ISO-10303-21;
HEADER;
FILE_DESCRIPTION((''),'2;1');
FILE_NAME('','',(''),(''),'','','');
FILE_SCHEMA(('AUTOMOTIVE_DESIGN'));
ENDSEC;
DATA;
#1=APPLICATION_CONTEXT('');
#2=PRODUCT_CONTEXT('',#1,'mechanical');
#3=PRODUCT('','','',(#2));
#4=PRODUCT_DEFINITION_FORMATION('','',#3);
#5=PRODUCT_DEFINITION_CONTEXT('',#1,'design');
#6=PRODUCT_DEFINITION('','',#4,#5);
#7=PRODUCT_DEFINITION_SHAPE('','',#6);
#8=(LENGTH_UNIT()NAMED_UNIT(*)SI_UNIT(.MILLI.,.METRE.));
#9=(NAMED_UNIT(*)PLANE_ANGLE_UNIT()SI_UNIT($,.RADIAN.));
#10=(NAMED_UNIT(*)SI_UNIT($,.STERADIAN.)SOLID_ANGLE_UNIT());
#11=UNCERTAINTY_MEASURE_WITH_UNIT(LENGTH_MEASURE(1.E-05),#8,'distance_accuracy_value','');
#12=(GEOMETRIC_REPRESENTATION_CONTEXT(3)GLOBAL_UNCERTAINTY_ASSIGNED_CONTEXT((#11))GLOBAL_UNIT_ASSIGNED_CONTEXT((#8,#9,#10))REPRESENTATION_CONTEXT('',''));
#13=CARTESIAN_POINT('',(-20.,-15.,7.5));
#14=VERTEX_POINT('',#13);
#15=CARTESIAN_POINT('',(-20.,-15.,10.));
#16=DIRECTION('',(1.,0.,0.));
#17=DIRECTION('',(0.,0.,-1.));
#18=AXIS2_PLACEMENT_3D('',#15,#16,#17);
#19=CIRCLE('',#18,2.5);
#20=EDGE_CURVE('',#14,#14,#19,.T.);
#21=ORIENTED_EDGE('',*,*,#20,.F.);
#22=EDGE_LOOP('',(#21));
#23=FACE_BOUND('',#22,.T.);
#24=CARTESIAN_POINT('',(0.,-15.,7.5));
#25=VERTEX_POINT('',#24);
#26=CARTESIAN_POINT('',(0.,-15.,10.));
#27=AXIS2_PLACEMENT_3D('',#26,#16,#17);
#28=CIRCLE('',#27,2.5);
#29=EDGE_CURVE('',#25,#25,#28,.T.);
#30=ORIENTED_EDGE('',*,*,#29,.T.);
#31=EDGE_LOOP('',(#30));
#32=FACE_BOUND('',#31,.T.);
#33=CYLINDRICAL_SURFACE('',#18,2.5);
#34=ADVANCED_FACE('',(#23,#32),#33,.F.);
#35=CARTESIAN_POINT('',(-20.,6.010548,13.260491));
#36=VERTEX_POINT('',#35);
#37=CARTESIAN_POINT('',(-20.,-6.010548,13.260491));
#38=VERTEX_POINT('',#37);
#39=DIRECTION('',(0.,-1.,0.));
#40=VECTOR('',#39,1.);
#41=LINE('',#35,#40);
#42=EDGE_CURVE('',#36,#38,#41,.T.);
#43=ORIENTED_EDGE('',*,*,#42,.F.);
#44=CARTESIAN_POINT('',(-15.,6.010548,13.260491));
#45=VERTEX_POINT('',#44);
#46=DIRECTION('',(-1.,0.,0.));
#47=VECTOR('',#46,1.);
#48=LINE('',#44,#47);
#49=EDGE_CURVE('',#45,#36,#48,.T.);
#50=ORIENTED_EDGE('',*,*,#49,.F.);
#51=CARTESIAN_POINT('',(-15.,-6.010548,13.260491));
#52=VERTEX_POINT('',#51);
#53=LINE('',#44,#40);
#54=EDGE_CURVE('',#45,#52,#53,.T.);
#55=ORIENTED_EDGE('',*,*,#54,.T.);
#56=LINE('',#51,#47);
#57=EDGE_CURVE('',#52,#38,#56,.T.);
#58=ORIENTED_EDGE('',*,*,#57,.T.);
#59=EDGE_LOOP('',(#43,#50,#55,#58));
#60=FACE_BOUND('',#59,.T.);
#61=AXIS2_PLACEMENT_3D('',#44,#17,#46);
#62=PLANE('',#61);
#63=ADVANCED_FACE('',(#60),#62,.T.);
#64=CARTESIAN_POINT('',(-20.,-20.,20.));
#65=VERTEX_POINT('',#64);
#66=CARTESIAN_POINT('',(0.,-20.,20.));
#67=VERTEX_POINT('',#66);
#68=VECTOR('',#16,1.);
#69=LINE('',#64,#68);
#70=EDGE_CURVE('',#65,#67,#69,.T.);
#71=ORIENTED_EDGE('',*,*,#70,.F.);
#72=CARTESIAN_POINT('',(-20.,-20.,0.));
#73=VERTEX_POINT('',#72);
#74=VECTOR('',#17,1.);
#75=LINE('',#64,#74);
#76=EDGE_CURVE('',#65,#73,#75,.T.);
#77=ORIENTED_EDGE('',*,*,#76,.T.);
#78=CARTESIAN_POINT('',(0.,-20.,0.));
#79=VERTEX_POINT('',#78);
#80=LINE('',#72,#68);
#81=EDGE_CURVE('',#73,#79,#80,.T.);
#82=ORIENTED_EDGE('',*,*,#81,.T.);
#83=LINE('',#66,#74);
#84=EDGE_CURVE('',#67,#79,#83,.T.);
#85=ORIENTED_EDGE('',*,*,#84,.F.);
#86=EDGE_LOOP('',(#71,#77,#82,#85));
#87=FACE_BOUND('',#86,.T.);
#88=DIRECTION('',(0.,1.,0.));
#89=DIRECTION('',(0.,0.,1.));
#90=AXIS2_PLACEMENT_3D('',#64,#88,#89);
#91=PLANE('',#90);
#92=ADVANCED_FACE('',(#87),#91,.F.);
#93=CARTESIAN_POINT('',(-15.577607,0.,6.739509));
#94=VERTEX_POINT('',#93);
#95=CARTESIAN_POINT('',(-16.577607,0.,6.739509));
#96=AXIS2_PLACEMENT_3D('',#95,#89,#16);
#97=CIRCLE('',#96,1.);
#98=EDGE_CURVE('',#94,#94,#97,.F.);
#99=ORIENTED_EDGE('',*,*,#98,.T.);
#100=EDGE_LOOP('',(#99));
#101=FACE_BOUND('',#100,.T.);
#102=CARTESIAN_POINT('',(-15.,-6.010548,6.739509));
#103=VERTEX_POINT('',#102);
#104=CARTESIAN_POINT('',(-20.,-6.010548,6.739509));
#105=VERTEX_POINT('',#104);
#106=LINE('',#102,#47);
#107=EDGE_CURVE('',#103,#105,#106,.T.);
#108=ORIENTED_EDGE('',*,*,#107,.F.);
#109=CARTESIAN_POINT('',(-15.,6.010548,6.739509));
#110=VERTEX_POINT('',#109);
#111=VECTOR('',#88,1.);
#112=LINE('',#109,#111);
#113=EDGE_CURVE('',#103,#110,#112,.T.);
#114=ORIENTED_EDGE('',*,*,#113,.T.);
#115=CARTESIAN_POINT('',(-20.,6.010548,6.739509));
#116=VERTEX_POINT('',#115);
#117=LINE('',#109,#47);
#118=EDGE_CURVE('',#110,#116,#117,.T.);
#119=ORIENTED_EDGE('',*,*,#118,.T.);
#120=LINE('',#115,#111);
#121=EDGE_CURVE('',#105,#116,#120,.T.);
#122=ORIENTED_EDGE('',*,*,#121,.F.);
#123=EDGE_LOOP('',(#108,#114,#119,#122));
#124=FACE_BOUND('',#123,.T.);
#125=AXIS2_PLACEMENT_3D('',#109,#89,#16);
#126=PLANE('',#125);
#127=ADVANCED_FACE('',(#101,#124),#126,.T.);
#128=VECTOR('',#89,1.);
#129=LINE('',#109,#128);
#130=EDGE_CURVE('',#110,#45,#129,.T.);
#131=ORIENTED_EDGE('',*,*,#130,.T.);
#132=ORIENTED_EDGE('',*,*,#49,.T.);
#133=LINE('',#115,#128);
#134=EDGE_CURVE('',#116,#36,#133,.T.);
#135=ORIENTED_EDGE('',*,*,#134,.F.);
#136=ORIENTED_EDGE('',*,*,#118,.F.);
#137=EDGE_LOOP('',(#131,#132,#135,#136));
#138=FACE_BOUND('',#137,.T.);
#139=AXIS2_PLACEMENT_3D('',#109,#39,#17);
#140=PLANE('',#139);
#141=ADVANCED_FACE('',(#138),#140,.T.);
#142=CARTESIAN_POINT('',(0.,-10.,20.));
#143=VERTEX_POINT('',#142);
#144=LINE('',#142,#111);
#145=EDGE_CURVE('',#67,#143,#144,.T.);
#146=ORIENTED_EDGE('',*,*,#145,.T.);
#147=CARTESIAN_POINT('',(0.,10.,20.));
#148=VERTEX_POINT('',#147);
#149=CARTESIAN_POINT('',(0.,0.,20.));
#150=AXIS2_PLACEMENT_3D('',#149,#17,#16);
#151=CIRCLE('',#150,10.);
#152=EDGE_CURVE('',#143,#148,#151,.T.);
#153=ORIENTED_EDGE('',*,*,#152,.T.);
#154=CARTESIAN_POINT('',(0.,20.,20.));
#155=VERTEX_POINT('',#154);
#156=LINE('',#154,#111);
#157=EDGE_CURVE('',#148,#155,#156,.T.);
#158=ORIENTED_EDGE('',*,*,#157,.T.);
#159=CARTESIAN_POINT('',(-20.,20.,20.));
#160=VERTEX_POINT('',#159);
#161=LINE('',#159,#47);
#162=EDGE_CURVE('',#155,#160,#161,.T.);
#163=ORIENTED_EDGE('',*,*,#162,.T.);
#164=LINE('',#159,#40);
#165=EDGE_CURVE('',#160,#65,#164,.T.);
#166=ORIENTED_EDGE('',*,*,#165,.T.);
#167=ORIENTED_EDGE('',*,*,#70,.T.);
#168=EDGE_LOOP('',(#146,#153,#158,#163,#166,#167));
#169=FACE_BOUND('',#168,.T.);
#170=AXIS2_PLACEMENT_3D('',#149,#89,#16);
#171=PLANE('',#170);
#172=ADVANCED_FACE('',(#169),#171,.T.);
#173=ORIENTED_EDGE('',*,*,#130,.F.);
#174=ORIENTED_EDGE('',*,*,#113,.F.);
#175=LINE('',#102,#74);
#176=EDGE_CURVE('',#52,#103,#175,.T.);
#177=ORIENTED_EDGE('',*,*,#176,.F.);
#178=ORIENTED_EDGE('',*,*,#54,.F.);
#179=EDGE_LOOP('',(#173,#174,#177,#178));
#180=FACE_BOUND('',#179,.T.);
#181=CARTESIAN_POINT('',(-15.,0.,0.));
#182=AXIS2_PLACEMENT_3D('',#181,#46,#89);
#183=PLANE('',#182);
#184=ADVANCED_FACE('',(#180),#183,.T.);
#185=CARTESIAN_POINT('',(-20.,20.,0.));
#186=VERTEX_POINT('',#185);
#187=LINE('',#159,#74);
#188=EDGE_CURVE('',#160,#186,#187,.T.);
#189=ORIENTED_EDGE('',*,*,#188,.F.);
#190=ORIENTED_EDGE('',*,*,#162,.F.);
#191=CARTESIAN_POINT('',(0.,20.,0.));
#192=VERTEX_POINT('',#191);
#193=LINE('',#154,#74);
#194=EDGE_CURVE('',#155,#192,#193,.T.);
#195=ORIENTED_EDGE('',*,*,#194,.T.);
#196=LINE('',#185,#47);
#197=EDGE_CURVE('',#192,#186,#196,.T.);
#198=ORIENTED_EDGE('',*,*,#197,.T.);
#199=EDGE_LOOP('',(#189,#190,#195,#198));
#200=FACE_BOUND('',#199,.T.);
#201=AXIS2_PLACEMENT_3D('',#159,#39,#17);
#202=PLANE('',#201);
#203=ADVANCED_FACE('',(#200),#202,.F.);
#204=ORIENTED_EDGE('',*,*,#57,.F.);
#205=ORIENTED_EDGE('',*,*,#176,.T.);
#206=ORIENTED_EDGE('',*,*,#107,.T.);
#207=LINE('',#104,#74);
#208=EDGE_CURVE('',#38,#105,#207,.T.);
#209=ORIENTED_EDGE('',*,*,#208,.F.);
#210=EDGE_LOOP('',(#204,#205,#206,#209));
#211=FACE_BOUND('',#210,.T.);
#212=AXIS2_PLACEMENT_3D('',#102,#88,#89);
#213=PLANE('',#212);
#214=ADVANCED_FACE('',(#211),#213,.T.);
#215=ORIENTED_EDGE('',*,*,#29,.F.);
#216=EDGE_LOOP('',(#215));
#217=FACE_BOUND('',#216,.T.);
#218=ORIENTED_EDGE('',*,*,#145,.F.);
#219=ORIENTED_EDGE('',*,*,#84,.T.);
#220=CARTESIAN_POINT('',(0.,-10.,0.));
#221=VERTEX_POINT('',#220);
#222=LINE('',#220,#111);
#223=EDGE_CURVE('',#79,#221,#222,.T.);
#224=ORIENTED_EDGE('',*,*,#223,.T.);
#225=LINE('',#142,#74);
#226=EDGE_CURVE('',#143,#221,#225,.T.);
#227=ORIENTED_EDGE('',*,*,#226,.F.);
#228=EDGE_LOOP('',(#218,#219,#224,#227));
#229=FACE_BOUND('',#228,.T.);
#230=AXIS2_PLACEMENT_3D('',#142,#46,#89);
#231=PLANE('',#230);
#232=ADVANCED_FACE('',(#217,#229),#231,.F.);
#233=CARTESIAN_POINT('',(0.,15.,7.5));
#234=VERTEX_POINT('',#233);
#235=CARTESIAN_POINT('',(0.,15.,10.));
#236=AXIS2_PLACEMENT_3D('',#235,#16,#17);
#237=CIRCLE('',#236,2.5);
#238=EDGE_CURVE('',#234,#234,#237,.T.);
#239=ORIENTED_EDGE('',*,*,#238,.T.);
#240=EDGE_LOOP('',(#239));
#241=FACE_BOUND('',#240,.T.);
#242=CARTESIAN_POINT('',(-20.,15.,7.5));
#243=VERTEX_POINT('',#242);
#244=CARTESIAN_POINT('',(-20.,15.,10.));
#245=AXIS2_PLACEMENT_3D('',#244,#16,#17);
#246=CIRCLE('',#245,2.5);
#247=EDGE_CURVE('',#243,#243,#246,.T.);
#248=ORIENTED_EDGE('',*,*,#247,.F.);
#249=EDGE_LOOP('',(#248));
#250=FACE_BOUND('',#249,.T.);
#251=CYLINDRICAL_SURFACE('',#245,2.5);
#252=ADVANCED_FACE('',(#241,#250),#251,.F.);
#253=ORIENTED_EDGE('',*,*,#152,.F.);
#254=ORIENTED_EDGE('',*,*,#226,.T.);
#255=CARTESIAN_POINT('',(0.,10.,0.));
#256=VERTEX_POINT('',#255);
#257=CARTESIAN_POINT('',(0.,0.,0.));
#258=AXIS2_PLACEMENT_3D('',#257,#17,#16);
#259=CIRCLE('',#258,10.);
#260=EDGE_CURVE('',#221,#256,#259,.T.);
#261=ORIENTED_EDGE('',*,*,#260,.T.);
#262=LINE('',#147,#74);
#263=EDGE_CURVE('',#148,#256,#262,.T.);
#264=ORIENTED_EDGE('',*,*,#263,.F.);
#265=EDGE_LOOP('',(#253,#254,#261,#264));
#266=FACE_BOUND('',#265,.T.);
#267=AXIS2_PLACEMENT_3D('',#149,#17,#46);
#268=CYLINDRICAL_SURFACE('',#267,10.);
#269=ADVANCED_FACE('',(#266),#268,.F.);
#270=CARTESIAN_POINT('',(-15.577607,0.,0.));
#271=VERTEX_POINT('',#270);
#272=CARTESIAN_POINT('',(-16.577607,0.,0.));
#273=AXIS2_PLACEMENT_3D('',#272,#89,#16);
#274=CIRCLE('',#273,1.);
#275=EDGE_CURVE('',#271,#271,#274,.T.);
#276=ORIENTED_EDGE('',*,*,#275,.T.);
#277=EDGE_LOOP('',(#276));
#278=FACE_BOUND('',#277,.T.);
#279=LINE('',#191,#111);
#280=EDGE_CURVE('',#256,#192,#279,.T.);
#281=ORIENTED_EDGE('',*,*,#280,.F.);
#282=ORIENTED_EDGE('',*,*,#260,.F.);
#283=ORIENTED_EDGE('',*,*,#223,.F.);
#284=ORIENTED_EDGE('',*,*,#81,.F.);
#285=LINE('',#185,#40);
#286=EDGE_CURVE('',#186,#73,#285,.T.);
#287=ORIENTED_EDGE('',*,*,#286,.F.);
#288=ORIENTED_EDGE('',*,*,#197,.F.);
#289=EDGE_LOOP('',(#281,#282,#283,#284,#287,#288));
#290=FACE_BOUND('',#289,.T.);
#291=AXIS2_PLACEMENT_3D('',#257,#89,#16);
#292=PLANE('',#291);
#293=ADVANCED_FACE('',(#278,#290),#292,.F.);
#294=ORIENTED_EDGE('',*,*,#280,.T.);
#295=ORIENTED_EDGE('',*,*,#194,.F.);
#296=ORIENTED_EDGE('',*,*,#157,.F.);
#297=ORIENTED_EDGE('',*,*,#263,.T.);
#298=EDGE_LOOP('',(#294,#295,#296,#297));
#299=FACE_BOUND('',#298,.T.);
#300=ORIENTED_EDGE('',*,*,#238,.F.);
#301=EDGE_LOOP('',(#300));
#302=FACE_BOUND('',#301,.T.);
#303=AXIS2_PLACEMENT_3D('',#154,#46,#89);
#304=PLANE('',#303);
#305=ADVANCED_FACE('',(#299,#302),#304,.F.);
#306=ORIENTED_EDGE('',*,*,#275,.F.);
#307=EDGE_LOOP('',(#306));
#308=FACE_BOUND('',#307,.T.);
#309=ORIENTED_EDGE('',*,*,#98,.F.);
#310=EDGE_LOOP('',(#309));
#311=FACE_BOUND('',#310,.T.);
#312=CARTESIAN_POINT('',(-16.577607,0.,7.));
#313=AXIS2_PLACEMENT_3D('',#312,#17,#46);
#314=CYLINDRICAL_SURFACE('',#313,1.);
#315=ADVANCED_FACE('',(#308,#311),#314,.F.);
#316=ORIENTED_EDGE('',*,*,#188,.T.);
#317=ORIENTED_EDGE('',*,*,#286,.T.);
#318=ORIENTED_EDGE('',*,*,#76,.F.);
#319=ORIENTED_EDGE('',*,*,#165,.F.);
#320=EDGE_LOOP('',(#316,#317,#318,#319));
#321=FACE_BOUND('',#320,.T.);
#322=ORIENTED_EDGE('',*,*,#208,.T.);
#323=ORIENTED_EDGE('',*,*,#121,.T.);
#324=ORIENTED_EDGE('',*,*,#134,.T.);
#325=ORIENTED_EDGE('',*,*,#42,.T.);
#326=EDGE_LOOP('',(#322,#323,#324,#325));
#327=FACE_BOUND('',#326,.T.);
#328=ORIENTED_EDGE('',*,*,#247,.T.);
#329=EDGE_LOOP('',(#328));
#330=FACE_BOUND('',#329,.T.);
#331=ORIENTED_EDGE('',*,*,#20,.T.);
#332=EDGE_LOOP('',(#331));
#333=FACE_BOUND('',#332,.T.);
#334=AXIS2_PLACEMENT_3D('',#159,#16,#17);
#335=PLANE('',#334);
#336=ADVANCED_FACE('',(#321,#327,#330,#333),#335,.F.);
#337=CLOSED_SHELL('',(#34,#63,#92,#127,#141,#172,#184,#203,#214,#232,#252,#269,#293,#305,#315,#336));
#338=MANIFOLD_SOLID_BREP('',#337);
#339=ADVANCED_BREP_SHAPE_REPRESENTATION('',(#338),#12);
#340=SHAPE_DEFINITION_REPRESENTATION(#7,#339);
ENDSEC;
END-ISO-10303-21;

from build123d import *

# Parameters (mm, degrees)
EXTRUDE_1_DEPTH     = 20
SKETCH_3_R          = 2.5
CUT_EXTRUDE_1_DEPTH = 20
SKETCH_9_W          = 6.520982116
SKETCH_9_H          = 12.021095894
CUT_EXTRUDE_4_DEPTH = 5
SKETCH_10_R         = 1
CUT_EXTRUDE_6_DEPTH = 7


with BuildPart() as part:
    # 草图1 → 凸台-拉伸1 (new body)
    with BuildSketch(Plane.XY):
        with BuildLine():
            Line((0, 20), (0, 10))
            ThreePointArc((0, 10), (-10, 0), (0, -10))
            Line((0, -10), (0, -20))
            Line((0, -20), (-20, -20))
            Line((-20, -20), (-20, 20))
            Line((-20, 20), (0, 20))
        make_face()
    extrude(amount=EXTRUDE_1_DEPTH)

    # 草图3 → 切除-拉伸1 (cut)
    with BuildSketch(Plane(origin=(0, 0, 0), x_dir=(0, 0, -1), z_dir=(1, 0, 0))):
        with Locations((-10, 15)):
            Circle(SKETCH_3_R)
        with Locations((-10, -15)):
            Circle(SKETCH_3_R)
    extrude(amount=-CUT_EXTRUDE_1_DEPTH, mode=Mode.SUBTRACT)

    # 草图9 → 切除-拉伸4 (cut)
    with BuildSketch(Plane(origin=(-20, 0, 0), x_dir=(0, 0, -1), z_dir=(1, 0, 0))):
        with Locations((-10, 0)):
            Rectangle(SKETCH_9_W, SKETCH_9_H)
    extrude(amount=CUT_EXTRUDE_4_DEPTH, mode=Mode.SUBTRACT)

    # 草图10 → 切除-拉伸6 (cut)
    with BuildSketch(Plane.XY):
        with Locations((-16.577606786, 0)):
            Circle(SKETCH_10_R)
    extrude(amount=CUT_EXTRUDE_6_DEPTH, mode=Mode.SUBTRACT)


solid = part.part
